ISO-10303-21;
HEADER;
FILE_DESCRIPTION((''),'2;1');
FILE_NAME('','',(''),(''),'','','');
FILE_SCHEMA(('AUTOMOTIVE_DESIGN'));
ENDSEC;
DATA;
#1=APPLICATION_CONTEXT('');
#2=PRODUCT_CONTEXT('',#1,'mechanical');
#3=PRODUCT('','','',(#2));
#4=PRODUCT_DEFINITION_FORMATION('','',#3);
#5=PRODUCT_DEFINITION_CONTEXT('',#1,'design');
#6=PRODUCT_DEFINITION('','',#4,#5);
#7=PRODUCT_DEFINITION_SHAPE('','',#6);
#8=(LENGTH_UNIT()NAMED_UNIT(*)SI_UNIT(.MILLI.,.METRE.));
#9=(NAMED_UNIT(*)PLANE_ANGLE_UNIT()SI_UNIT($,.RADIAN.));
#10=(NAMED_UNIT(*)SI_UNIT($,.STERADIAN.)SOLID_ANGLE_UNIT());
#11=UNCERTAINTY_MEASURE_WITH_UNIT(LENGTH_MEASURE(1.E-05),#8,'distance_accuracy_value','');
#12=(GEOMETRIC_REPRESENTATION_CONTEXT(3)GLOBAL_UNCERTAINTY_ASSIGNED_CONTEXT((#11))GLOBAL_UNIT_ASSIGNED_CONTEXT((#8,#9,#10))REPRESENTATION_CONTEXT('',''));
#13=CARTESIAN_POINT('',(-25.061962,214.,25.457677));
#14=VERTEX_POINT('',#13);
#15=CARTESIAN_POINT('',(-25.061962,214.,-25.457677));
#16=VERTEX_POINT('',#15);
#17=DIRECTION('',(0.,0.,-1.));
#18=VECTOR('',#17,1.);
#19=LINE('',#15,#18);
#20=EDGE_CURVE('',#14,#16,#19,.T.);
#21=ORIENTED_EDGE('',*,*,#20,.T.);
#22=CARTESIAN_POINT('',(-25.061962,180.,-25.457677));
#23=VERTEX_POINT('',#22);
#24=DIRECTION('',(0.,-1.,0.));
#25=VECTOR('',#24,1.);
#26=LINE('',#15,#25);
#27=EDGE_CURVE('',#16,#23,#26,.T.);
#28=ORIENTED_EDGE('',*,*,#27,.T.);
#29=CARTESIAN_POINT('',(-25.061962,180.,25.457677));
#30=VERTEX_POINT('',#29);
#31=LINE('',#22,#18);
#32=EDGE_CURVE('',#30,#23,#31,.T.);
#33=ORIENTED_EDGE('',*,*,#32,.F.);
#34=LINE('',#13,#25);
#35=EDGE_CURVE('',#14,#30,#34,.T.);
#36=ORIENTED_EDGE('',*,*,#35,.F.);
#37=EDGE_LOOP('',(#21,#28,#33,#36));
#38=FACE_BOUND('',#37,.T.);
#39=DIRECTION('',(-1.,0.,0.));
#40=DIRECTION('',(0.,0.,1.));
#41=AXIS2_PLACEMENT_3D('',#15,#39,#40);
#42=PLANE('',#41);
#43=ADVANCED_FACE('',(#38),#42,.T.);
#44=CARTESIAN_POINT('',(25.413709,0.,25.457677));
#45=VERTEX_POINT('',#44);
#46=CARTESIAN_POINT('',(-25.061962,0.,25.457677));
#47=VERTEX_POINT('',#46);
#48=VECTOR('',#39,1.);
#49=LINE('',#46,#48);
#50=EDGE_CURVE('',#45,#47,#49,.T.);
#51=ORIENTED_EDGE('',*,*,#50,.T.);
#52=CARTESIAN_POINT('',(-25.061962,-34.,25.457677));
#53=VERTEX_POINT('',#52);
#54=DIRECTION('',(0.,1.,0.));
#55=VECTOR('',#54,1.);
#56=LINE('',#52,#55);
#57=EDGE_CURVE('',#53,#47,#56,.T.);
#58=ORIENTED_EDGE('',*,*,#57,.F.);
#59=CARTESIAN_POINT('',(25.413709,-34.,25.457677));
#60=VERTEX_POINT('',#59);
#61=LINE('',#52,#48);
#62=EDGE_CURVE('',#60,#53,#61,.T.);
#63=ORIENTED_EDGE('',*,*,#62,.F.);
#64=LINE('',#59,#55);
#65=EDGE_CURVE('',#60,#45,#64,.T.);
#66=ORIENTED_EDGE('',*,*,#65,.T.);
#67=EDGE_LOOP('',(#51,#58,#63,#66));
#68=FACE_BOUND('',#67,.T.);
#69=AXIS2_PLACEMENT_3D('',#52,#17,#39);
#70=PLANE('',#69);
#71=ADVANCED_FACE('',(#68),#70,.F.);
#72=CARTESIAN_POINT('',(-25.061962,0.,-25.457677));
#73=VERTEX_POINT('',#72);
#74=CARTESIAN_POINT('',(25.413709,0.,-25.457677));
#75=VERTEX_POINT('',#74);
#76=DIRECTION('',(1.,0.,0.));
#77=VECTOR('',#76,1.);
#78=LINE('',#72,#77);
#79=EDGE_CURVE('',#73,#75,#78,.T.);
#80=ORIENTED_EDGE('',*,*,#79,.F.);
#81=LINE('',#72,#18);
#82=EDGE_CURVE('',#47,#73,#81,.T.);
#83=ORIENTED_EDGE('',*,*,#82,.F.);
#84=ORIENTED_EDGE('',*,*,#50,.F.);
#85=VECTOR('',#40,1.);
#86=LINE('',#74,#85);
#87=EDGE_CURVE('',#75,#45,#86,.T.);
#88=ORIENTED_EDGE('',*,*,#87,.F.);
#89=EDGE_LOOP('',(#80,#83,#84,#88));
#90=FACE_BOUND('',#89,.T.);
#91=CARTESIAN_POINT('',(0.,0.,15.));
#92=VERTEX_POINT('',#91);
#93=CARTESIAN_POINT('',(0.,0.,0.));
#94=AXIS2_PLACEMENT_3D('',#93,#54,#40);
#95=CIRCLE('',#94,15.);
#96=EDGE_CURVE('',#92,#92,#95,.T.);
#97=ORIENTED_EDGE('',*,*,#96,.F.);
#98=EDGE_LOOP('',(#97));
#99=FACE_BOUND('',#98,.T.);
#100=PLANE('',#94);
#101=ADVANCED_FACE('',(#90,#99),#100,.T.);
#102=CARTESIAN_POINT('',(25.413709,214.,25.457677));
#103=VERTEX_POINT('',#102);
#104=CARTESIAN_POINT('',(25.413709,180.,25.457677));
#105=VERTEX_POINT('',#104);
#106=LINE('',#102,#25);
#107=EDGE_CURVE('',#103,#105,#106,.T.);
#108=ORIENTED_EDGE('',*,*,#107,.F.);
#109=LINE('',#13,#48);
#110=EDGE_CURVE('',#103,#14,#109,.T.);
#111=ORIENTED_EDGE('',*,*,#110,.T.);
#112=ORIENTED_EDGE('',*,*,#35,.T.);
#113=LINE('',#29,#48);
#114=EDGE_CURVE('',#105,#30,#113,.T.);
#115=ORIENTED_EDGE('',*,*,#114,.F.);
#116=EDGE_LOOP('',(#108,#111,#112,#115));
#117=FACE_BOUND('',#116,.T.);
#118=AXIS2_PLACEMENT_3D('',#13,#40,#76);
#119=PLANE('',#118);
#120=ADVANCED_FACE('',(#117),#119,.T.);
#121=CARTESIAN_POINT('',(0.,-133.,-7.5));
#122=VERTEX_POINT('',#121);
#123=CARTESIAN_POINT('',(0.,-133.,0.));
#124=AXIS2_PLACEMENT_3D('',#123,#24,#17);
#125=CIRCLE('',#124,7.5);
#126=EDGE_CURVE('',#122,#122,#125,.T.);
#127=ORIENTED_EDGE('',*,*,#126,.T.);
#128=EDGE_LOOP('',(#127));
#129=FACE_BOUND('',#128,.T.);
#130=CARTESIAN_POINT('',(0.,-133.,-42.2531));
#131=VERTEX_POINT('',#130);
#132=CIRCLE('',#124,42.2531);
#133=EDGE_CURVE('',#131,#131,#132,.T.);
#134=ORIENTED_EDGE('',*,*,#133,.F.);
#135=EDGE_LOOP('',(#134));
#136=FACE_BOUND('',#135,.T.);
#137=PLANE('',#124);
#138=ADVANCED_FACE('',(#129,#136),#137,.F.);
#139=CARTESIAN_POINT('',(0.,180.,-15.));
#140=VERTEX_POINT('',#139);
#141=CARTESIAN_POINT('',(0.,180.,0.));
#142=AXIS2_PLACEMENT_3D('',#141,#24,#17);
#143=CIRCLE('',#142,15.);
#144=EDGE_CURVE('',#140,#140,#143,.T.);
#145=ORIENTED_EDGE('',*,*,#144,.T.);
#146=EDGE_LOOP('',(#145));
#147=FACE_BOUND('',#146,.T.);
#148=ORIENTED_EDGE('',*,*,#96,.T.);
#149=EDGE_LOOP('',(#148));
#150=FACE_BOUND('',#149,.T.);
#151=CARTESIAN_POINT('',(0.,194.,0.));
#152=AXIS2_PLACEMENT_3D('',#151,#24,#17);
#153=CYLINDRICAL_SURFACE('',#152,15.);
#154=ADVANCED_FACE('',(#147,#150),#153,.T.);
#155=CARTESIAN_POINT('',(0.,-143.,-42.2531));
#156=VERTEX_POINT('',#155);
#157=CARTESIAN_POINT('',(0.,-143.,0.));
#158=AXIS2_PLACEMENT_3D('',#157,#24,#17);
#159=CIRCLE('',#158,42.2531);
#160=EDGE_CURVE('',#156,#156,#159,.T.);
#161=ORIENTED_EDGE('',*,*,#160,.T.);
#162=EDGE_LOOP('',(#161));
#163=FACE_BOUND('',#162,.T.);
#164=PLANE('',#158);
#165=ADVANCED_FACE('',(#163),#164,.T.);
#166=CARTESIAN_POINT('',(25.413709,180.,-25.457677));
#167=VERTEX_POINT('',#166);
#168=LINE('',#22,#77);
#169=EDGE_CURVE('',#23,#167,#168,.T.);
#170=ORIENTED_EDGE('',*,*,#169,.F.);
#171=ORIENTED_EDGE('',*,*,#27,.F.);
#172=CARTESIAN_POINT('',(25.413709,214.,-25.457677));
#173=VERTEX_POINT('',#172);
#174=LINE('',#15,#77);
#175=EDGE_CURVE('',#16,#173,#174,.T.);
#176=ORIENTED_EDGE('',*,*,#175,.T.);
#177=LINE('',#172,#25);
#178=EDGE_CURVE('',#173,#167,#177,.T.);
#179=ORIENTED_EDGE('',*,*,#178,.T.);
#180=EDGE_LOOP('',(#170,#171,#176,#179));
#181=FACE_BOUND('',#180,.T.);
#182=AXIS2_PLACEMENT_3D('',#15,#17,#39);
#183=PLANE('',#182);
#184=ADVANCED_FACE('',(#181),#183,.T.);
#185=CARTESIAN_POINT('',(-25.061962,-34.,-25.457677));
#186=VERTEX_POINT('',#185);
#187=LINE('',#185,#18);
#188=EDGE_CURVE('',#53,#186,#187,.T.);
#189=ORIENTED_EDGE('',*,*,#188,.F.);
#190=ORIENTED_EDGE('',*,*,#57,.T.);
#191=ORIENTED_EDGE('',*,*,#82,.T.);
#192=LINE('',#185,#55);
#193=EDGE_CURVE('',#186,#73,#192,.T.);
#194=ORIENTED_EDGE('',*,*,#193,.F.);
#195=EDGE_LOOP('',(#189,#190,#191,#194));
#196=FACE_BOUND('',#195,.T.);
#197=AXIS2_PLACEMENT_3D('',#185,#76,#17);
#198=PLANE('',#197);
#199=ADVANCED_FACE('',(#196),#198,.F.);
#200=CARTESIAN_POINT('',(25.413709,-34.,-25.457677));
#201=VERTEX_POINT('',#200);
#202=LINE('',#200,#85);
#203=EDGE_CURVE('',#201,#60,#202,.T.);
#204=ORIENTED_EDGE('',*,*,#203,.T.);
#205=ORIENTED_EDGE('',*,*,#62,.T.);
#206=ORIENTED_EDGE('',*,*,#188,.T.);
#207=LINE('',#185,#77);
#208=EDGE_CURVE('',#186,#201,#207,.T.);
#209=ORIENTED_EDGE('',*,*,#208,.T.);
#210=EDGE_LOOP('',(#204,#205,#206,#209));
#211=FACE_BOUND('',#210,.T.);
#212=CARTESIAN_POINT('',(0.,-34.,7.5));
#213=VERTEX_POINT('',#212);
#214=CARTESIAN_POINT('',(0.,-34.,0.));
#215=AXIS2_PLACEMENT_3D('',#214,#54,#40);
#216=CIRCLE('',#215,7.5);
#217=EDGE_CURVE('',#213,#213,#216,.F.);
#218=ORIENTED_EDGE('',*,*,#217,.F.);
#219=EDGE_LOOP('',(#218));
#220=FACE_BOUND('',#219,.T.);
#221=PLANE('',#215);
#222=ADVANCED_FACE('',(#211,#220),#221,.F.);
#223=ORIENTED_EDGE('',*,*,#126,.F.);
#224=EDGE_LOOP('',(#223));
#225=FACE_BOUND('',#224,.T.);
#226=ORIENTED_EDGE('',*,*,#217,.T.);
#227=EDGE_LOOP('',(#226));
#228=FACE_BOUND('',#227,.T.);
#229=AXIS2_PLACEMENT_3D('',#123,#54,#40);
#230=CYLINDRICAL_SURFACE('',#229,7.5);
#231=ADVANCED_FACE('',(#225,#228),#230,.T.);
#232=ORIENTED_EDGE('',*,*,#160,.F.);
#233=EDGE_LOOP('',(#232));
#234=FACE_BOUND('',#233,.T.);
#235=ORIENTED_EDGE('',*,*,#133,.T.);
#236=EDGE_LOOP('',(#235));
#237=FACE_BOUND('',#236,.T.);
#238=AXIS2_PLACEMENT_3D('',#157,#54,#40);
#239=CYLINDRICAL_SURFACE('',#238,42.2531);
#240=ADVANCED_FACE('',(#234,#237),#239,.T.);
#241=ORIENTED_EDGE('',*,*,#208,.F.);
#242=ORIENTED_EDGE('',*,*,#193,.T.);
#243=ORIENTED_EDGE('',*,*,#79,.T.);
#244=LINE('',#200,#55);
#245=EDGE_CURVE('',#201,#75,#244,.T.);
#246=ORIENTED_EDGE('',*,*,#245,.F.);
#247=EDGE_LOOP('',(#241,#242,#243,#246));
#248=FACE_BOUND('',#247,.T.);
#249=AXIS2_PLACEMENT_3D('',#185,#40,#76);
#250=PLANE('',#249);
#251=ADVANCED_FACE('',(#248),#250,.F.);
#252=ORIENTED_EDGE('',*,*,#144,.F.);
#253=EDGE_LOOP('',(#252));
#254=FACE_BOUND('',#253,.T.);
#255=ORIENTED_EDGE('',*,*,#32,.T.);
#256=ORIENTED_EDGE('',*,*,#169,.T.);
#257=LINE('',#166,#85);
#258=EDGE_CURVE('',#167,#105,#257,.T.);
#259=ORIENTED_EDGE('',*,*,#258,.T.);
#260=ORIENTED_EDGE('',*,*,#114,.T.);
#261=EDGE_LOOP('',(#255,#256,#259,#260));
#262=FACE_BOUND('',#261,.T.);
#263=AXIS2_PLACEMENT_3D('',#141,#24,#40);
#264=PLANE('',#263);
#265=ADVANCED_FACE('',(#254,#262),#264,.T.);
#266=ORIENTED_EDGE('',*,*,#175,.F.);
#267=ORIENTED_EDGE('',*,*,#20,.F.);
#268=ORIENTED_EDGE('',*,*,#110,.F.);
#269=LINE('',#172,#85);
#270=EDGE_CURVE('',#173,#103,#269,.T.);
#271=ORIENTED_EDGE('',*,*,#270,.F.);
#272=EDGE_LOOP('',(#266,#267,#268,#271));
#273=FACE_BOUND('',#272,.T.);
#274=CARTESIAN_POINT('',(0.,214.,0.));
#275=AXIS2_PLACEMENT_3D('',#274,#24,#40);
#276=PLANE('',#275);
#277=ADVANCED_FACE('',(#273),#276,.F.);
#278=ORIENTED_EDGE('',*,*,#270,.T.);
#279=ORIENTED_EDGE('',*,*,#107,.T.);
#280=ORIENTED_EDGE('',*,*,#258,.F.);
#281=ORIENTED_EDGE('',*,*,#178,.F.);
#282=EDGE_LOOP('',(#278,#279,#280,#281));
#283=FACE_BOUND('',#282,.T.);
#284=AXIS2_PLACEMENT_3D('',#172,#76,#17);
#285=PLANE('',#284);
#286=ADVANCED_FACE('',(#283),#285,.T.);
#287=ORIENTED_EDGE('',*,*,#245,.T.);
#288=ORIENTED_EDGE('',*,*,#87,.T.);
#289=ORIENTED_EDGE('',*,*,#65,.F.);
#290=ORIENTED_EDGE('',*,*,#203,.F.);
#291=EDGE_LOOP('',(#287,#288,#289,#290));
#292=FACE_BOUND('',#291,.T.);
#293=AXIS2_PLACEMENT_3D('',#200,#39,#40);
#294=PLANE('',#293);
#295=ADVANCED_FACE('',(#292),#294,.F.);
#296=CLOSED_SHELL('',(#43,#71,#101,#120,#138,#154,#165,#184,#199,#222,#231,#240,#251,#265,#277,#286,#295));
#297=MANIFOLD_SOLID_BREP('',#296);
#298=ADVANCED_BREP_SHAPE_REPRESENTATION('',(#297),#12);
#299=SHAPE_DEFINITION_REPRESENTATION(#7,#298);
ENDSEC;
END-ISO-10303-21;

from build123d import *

# Parameters (mm, degrees)
SKETCH1_R           = 15
BOSS_EXTRUDE2_DEPTH = 194
SKETCH2_W           = 50.475671087
SKETCH2_H           = 50.915354634
BOSS_EXTRUDE3_DEPTH = 34
SKETCH3_R           = 7.5
BOSS_EXTRUDE4_DEPTH = 99
SKETCH5_R           = 42.253100096
BOSS_EXTRUDE5_DEPTH = 10


with BuildPart() as part:
    # Sketch1 → Boss-Extrude2 (new body)
    with BuildSketch(Plane(origin=(0, 0, 0), x_dir=(1, 0, 0), z_dir=(0, 1, 0))):
        with Locations(Location((0, 0, 0), (0, 0, 270))):
            Circle(SKETCH1_R)
    extrude(amount=BOSS_EXTRUDE2_DEPTH)

    # Sketch2 → Boss-Extrude3 (add)
    with BuildSketch(Plane.XZ):
        with Locations((0.175873419, 0)):
            Rectangle(SKETCH2_W, SKETCH2_H)
    boss_extrude3 = extrude(amount=BOSS_EXTRUDE3_DEPTH)

    # Mirror1: Boss-Extrude3 across plane
    add(boss_extrude3.mirror(Plane.ZX.offset(90)))

    # Sketch3 → Boss-Extrude4 (add)
    with BuildSketch(Plane.XZ.offset(34)):
        with Locations(Location((0, 0, 0), (0, 0, 90))):
            Circle(SKETCH3_R)
    extrude(amount=BOSS_EXTRUDE4_DEPTH)

    # Sketch5 → Boss-Extrude5 (add)
    with BuildSketch(Plane.XZ.offset(133)):
        with Locations(Location((0, 0, 0), (0, 0, 270))):
            Circle(SKETCH5_R)
    extrude(amount=BOSS_EXTRUDE5_DEPTH)


solid = part.part
